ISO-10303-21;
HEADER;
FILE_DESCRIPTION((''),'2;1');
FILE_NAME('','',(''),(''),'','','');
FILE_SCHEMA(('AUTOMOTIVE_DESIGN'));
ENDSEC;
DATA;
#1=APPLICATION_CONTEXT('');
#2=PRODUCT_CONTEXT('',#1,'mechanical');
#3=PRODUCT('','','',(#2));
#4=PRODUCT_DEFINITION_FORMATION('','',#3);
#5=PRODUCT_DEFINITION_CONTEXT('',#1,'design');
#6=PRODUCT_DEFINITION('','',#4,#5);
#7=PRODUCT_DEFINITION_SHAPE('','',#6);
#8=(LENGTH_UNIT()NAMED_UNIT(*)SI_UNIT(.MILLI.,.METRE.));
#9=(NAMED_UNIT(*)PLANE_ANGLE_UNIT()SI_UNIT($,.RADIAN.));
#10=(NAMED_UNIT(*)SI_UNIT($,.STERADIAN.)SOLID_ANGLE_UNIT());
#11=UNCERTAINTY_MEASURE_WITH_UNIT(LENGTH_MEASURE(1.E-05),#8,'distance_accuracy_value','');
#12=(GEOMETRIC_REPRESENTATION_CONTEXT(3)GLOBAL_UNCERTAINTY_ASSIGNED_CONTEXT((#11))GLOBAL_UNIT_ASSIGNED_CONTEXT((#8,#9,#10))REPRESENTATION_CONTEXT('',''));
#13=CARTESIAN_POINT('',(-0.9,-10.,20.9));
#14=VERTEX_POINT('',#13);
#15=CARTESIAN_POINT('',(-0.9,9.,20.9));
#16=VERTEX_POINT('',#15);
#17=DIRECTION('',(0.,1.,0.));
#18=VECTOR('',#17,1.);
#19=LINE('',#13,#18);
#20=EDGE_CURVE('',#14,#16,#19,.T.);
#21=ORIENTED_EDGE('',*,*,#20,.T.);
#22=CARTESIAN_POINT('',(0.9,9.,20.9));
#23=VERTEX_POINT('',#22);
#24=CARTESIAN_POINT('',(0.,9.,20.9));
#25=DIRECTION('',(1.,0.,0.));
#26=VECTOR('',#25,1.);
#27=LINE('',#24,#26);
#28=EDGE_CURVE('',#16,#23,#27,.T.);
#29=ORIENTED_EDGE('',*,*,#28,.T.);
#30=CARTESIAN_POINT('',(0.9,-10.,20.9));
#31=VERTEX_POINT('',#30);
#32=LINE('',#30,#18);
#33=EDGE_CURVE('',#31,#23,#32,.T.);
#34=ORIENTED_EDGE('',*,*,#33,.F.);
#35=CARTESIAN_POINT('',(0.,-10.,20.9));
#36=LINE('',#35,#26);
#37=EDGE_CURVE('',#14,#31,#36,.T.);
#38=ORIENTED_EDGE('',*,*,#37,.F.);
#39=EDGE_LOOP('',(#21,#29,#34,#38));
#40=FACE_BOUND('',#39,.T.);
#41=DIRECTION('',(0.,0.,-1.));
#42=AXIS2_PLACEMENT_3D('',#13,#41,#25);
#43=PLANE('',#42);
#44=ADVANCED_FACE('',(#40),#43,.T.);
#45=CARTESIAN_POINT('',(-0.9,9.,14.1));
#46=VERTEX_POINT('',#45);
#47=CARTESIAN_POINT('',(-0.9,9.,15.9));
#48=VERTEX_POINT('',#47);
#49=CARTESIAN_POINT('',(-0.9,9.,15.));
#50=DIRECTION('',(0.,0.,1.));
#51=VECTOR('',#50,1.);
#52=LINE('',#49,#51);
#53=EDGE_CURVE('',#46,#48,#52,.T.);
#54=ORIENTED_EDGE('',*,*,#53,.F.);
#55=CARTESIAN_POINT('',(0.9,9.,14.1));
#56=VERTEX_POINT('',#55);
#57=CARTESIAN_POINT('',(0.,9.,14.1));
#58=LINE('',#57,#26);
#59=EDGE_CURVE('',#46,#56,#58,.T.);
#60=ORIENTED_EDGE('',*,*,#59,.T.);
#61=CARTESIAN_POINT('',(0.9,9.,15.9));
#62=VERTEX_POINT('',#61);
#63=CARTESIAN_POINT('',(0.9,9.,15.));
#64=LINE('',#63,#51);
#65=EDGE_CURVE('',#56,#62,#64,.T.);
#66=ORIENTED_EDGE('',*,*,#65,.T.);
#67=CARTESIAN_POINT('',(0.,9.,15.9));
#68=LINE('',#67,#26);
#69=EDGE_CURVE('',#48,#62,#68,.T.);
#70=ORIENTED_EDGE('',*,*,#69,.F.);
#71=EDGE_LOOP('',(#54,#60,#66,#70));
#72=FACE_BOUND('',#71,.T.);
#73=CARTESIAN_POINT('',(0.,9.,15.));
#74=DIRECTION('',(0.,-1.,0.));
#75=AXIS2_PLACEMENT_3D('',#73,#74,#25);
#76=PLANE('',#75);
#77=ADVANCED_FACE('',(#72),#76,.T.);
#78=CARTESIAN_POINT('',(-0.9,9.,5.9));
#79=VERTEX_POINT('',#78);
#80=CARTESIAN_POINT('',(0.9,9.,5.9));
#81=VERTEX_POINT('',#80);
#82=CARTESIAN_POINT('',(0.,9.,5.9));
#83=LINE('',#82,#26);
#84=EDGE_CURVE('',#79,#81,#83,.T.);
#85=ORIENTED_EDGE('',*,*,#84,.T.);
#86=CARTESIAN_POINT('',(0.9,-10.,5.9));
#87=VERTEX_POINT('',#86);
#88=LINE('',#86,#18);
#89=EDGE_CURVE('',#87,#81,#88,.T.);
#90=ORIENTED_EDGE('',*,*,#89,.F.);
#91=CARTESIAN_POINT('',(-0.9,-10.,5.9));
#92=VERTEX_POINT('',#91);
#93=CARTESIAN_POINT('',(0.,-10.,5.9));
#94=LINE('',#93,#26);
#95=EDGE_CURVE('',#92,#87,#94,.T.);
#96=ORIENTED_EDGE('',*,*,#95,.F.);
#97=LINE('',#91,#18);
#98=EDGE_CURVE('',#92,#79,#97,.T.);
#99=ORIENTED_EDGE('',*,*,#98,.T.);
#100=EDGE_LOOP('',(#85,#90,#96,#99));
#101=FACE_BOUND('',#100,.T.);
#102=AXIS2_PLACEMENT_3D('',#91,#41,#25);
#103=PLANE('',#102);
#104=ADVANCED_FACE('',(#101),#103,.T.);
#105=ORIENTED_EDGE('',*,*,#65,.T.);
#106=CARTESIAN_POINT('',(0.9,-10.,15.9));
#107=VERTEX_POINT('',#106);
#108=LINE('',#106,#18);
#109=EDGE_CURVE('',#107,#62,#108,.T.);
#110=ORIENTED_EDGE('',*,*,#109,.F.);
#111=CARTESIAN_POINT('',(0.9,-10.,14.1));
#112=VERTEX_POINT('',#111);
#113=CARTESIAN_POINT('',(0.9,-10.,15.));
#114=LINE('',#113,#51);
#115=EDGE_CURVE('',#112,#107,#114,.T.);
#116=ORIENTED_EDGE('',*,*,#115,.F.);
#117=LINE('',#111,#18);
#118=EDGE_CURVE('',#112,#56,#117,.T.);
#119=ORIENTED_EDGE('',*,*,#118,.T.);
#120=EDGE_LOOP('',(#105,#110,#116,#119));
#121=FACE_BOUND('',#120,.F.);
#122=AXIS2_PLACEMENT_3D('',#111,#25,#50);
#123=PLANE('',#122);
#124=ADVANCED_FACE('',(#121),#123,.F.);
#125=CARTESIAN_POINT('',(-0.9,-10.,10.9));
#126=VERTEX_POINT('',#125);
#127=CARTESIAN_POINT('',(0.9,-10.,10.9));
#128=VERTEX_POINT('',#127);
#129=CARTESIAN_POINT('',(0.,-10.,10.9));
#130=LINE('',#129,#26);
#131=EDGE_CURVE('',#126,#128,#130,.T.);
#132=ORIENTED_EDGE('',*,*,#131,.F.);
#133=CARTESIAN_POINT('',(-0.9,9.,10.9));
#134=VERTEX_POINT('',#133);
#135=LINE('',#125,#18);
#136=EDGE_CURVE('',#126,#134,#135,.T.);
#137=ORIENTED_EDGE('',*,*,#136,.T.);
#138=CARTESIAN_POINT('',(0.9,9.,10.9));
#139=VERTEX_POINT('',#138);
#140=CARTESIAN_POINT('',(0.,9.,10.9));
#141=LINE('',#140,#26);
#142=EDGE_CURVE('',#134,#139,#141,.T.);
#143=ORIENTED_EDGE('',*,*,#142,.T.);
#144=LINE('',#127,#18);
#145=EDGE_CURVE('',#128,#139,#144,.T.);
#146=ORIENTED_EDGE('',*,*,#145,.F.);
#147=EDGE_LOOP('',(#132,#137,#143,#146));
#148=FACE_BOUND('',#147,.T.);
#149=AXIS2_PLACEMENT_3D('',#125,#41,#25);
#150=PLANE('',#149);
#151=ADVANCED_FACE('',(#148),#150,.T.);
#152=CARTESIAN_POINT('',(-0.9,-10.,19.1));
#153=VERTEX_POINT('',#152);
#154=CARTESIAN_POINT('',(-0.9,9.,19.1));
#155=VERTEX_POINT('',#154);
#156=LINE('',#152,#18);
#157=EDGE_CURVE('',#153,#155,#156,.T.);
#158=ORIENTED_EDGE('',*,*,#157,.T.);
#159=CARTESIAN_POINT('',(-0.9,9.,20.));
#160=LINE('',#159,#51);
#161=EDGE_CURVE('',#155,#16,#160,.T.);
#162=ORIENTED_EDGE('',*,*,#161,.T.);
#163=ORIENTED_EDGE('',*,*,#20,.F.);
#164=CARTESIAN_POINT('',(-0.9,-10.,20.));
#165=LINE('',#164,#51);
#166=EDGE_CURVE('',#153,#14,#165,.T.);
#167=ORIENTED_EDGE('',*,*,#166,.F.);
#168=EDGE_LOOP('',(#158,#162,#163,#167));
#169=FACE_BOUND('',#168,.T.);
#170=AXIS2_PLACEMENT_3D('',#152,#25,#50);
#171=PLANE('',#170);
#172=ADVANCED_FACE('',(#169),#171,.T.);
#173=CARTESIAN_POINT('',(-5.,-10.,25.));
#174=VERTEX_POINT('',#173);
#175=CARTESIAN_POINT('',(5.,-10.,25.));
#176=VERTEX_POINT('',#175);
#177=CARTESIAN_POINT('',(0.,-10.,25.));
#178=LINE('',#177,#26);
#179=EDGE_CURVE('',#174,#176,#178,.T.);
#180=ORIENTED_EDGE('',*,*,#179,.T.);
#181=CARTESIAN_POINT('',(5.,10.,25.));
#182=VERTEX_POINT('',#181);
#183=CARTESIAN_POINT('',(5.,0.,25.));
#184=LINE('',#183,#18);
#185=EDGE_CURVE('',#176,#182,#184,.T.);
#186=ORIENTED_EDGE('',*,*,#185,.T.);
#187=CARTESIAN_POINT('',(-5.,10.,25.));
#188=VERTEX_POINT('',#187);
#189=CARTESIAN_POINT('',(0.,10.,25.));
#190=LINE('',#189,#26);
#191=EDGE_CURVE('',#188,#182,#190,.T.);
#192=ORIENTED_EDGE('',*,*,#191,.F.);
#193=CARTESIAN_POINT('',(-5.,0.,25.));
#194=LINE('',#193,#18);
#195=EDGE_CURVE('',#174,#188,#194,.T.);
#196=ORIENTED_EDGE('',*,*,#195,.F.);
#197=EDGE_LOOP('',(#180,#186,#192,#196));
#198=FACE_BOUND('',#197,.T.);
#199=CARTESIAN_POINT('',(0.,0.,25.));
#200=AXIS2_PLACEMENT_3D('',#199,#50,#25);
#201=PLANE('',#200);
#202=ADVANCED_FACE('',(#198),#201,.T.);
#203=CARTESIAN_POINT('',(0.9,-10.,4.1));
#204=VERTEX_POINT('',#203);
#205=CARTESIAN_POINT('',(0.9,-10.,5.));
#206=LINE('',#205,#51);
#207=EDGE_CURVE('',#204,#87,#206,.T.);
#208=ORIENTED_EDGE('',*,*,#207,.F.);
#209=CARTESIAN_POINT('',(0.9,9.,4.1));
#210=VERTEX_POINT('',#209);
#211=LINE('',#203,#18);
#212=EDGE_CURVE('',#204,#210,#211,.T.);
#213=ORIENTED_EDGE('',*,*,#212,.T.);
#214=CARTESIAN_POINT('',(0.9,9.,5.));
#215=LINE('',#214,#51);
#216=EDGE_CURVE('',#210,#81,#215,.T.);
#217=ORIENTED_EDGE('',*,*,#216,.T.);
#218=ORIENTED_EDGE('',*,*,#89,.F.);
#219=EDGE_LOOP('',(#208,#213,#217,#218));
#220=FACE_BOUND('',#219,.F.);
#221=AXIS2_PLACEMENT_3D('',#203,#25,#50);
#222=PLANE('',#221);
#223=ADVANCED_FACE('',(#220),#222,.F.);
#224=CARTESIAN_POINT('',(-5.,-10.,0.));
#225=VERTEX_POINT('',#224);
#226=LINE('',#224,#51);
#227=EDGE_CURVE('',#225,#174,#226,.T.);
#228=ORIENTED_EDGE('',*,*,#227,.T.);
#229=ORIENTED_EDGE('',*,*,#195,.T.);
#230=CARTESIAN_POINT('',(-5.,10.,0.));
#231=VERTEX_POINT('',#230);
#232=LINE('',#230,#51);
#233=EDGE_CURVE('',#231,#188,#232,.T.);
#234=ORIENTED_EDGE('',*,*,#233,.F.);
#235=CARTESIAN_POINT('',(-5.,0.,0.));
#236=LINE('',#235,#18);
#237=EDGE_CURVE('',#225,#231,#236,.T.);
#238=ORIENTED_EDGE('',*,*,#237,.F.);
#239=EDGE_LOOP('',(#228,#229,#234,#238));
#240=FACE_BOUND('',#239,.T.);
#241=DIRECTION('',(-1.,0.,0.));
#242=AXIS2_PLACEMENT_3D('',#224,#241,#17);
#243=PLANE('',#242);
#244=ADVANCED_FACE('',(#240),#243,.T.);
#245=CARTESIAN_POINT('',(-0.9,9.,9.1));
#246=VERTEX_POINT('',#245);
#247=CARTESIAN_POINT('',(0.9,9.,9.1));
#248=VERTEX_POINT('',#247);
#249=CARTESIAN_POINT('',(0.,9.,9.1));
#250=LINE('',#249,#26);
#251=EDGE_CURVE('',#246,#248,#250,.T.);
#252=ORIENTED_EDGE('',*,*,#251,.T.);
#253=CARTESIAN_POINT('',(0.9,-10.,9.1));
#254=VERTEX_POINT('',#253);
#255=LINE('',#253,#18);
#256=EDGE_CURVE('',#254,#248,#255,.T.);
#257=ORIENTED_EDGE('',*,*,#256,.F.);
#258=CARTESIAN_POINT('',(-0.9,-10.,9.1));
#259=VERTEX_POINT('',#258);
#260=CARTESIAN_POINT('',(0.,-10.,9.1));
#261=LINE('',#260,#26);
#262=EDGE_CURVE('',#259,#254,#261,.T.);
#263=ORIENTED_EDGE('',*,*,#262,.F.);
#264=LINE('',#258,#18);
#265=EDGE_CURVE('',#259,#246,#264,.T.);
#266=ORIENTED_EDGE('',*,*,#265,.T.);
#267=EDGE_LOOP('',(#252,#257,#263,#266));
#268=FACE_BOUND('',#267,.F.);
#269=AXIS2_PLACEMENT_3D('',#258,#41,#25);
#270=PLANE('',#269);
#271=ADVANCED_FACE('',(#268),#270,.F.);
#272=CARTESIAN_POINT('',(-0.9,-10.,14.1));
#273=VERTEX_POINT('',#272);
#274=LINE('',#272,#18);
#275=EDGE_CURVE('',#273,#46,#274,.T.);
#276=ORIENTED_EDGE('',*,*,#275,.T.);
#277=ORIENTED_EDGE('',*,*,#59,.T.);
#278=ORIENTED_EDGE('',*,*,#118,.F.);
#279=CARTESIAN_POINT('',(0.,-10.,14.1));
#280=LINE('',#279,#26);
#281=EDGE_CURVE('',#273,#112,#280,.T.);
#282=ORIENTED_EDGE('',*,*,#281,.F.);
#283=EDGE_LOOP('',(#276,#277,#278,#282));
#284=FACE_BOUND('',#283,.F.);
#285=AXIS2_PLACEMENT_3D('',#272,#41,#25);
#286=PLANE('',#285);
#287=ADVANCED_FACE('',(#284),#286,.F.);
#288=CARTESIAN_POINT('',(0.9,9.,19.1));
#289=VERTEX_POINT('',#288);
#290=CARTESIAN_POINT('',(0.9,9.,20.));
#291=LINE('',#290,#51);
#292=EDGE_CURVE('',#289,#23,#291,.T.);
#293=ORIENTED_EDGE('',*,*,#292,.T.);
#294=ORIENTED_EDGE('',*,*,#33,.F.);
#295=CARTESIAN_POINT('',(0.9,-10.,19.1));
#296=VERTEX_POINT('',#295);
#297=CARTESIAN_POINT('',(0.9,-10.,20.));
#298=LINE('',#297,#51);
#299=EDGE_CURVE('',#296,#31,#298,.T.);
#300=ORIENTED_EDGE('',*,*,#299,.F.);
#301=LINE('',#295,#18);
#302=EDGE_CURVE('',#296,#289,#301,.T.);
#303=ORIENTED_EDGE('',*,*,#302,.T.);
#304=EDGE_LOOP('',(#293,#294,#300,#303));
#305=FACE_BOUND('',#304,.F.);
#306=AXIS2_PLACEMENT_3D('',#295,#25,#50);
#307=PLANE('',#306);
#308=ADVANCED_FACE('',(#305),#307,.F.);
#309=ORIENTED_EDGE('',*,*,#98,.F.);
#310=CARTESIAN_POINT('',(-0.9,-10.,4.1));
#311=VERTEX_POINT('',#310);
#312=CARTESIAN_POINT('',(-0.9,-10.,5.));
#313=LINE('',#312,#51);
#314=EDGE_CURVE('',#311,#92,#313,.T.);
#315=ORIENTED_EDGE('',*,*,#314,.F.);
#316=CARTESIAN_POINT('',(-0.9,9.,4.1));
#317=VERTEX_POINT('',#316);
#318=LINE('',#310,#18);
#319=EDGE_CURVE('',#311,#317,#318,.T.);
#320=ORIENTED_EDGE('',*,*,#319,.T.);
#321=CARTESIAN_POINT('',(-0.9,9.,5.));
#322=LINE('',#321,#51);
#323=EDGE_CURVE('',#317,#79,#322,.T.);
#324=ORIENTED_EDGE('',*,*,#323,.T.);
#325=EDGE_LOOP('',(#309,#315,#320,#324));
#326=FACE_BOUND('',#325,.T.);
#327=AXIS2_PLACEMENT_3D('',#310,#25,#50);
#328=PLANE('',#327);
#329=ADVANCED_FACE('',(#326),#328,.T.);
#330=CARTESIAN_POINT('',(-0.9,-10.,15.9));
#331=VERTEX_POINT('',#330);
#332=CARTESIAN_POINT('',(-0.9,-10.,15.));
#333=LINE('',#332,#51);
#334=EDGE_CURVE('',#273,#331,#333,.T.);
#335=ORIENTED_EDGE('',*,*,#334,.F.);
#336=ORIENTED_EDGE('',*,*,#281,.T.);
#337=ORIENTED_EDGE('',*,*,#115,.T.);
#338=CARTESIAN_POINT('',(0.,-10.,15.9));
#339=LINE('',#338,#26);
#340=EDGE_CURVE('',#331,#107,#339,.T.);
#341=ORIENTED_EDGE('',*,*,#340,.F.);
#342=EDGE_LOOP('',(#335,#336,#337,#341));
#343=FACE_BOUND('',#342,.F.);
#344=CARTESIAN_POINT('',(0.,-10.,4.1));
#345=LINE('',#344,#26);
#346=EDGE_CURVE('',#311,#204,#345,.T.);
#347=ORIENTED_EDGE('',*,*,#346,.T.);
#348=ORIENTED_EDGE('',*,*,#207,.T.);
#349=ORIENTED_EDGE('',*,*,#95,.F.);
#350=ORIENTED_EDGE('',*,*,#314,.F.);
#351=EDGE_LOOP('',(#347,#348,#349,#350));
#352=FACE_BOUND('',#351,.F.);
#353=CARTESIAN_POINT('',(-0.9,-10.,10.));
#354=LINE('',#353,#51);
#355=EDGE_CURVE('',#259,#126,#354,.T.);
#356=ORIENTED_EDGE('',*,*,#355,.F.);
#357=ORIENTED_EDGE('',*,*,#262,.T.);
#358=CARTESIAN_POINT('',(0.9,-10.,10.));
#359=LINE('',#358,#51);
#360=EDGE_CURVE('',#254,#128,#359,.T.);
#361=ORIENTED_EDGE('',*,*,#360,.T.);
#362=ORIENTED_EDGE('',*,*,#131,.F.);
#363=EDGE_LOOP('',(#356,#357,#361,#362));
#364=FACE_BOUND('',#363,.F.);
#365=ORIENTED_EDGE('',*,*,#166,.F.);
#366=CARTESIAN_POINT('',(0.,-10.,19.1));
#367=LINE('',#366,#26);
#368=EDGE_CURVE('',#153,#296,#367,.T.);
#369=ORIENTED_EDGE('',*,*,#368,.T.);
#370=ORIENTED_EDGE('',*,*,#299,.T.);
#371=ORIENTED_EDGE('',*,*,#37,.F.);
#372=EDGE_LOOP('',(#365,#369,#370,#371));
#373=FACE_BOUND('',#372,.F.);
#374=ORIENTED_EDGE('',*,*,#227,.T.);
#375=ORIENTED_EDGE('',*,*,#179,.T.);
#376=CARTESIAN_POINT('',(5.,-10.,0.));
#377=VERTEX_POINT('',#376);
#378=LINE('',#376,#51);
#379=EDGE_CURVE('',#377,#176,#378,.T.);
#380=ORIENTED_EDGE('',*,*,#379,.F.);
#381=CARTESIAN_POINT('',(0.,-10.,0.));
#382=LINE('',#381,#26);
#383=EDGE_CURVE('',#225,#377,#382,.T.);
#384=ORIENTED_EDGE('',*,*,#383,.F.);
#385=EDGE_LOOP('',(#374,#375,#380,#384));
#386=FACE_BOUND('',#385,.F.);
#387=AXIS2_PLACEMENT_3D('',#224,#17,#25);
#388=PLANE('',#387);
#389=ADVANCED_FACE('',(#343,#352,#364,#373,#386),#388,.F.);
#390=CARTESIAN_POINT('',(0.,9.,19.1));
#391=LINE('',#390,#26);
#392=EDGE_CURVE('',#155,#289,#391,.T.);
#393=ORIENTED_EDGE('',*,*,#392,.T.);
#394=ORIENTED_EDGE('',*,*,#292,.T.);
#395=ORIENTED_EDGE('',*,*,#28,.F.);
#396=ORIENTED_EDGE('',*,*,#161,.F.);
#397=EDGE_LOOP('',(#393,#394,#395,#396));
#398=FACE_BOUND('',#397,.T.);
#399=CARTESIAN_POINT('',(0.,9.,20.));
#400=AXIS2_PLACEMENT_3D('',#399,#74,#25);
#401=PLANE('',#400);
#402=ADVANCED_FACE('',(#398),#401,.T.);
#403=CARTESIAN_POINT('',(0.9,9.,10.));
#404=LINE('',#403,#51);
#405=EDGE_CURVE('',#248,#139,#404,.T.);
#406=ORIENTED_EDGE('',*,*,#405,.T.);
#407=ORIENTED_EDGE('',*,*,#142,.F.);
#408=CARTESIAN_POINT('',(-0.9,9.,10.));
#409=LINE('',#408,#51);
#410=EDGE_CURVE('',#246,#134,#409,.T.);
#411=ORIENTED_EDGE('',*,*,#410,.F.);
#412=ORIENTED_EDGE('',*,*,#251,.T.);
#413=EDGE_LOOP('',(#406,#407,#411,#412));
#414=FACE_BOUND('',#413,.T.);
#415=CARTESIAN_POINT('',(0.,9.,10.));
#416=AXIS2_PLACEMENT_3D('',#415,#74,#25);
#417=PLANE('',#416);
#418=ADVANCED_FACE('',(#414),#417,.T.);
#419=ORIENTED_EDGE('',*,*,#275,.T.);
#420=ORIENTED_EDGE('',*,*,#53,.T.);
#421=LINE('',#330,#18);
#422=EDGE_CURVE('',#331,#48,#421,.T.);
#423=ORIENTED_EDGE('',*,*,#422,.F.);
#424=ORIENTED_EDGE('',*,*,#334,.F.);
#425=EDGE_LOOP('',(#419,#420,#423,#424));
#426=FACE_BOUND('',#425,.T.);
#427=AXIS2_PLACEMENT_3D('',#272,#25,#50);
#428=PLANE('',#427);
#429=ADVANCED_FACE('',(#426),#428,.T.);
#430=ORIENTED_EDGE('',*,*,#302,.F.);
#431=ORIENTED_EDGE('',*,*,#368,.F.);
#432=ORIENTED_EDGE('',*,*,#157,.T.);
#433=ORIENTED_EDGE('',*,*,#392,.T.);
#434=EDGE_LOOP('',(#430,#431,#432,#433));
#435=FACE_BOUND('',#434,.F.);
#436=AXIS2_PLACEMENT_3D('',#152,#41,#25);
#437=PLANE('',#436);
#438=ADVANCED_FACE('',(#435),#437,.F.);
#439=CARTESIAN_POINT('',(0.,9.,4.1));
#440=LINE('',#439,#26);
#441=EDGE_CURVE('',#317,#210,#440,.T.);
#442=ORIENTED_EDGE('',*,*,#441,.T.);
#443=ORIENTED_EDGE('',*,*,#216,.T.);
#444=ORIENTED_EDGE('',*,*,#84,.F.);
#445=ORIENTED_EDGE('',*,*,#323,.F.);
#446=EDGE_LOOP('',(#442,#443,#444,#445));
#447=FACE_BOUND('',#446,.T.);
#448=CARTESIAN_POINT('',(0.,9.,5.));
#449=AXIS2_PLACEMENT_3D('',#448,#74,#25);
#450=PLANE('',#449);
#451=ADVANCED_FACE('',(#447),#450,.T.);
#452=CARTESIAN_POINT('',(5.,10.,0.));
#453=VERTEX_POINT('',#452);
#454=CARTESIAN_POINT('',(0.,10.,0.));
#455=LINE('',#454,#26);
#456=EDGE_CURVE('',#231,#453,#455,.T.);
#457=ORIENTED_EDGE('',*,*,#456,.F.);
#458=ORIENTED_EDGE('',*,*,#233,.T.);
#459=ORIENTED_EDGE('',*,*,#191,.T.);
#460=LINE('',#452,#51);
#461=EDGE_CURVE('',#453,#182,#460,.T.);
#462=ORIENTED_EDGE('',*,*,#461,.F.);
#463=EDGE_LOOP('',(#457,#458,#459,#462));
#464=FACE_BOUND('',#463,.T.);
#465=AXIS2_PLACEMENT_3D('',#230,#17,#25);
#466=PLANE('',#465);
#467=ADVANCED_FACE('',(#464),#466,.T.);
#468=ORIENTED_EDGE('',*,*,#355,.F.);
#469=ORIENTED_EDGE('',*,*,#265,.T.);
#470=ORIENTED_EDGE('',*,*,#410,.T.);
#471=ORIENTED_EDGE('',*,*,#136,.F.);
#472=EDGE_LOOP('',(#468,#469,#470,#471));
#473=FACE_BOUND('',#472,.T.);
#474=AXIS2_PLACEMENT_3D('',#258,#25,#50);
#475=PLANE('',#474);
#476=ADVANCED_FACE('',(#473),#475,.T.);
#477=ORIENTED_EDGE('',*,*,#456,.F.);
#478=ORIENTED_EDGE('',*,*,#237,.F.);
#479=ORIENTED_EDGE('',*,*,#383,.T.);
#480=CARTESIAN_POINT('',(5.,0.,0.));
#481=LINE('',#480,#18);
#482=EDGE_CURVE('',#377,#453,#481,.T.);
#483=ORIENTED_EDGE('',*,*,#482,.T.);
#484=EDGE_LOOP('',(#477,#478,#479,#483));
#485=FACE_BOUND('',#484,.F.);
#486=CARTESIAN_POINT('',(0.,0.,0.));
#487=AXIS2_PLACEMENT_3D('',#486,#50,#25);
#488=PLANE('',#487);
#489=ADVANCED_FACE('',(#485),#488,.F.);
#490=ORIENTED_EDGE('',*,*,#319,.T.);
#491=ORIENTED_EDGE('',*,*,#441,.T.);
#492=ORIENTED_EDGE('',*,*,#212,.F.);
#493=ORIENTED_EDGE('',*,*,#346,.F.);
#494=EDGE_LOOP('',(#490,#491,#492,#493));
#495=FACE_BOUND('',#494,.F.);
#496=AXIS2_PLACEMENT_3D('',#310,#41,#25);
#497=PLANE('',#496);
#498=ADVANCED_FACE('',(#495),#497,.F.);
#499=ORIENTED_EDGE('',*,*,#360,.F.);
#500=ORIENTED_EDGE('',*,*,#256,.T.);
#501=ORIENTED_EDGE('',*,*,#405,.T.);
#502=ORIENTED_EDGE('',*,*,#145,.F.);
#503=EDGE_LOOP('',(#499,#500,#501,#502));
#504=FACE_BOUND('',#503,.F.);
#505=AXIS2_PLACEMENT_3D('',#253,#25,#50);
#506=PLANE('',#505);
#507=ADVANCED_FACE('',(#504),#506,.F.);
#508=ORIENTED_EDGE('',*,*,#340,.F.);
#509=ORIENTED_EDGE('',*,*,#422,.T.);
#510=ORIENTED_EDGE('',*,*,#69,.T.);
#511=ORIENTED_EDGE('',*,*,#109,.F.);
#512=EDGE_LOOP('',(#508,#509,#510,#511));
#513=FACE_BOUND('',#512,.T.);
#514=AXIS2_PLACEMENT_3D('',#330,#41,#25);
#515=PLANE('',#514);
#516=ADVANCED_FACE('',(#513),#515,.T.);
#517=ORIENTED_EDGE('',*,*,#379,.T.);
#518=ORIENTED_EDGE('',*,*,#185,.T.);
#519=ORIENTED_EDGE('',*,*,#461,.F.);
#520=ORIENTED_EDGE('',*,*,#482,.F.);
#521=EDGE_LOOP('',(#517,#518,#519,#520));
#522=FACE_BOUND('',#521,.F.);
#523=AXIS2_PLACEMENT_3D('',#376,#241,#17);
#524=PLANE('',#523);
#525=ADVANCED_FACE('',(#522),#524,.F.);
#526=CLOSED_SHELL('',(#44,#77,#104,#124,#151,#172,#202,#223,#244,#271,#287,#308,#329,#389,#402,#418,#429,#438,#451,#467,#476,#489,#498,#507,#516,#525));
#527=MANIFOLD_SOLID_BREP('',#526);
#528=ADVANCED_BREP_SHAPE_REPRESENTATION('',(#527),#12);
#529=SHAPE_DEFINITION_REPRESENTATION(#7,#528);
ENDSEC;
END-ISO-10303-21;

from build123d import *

# Parameters (mm, degrees)
F0_W     = 10
F0_H     = 20
F1_DEPTH = 25
F2_W     = 1.8
F2_H     = 1.8
F3_DEPTH = 19


with BuildPart() as f1:
    # F0 (on Top) → F1 (new body)
    with BuildSketch(Plane.XY):
        Rectangle(F0_W, F0_H)
    extrude(amount=F1_DEPTH)

    # F2 (on face) → F3 (cut)
    with BuildSketch(Plane.XZ.offset(10)):
        with Locations((0, 5)):
            Rectangle(F2_W, F2_H)
        with Locations((0, 10)):
            Rectangle(F2_W, F2_H)
        with Locations((0, 15)):
            Rectangle(F2_W, F2_H)
        with Locations((0, 20)):
            Rectangle(F2_W, F2_H)
    extrude(amount=-F3_DEPTH, mode=Mode.SUBTRACT)


solid = f1.part
